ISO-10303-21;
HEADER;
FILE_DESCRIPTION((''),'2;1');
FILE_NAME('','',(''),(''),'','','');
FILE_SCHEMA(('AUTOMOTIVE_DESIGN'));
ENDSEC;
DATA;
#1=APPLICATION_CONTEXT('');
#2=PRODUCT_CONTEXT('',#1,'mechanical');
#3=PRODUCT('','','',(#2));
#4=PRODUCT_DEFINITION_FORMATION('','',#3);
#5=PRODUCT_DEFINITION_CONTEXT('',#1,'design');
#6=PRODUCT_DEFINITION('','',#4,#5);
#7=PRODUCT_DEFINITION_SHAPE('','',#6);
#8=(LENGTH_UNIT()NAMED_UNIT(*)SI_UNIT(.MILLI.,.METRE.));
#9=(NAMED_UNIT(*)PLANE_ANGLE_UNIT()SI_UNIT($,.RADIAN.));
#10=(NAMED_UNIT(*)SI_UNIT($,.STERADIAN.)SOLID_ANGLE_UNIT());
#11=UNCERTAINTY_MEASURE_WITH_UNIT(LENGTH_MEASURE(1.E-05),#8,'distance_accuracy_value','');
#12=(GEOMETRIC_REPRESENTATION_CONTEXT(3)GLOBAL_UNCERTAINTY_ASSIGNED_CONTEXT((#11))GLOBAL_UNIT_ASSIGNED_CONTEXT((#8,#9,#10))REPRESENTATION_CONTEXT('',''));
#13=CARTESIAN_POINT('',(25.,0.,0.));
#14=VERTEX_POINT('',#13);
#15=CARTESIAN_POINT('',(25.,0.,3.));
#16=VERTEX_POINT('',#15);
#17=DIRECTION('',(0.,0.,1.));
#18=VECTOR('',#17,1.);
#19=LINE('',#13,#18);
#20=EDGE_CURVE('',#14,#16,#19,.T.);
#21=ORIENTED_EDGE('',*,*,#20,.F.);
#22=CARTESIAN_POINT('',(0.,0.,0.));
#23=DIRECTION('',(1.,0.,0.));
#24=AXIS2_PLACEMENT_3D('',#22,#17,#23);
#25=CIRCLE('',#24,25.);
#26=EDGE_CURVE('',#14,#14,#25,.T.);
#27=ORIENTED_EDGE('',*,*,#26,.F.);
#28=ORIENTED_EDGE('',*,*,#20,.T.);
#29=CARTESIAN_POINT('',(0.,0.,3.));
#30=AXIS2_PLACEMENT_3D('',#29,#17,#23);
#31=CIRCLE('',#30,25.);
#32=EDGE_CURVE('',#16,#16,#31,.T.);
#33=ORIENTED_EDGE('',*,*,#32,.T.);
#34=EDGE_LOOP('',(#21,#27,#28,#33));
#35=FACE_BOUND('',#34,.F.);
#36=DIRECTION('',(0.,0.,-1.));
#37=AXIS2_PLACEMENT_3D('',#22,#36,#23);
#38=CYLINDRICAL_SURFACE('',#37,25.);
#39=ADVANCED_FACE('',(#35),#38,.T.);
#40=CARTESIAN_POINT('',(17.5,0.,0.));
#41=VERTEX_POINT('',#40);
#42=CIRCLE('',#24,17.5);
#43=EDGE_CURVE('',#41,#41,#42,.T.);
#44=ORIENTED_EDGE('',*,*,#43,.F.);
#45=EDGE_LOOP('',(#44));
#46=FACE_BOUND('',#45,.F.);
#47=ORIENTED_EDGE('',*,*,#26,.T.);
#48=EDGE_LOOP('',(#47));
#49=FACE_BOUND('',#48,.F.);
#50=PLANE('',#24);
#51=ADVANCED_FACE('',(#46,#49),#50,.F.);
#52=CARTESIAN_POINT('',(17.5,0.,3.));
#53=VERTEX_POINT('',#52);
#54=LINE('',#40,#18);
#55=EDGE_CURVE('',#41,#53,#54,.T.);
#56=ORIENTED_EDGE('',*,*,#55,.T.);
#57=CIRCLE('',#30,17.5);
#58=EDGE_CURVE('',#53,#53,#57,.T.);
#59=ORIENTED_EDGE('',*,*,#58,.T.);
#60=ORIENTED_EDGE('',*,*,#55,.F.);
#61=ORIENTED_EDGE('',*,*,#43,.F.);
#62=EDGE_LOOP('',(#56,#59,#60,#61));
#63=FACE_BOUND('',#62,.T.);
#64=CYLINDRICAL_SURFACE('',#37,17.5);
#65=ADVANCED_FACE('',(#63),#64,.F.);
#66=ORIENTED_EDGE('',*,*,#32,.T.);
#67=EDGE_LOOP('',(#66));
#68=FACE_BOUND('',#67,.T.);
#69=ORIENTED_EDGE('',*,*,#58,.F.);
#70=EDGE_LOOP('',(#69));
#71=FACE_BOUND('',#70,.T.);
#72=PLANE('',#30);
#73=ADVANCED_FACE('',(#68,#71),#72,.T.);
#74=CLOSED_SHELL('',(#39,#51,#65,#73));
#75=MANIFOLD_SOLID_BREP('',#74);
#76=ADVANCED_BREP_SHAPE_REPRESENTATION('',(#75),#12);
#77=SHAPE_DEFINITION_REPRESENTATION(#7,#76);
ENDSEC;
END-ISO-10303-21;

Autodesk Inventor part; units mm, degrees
ref_plane "YZ Plane" through (0, 0, 0) normal (1, 0, 0) x (0, 1, 0)
ref_plane "XZ Plane" through (0, 0, 0) normal (0, 1, 0) x (-1, 0, 0)
ref_plane "XY Plane" through (0, 0, 0) normal (0, 0, 1) x (1, 0, 0)
sketch "Эскиз1" plane through (0, 0, 0) normal (0, 0, 1) x (1, 0, 0)
  circle A0 centre (0, 0) radius 17.5
  circle A1 centre (0, 0) radius 25
  dimension "d0" = 35
  dimension "d1" = 50
extrude "Выдавливание1" add sketch "Эскиз1" along normal blind 3
properties part number "глаз"
